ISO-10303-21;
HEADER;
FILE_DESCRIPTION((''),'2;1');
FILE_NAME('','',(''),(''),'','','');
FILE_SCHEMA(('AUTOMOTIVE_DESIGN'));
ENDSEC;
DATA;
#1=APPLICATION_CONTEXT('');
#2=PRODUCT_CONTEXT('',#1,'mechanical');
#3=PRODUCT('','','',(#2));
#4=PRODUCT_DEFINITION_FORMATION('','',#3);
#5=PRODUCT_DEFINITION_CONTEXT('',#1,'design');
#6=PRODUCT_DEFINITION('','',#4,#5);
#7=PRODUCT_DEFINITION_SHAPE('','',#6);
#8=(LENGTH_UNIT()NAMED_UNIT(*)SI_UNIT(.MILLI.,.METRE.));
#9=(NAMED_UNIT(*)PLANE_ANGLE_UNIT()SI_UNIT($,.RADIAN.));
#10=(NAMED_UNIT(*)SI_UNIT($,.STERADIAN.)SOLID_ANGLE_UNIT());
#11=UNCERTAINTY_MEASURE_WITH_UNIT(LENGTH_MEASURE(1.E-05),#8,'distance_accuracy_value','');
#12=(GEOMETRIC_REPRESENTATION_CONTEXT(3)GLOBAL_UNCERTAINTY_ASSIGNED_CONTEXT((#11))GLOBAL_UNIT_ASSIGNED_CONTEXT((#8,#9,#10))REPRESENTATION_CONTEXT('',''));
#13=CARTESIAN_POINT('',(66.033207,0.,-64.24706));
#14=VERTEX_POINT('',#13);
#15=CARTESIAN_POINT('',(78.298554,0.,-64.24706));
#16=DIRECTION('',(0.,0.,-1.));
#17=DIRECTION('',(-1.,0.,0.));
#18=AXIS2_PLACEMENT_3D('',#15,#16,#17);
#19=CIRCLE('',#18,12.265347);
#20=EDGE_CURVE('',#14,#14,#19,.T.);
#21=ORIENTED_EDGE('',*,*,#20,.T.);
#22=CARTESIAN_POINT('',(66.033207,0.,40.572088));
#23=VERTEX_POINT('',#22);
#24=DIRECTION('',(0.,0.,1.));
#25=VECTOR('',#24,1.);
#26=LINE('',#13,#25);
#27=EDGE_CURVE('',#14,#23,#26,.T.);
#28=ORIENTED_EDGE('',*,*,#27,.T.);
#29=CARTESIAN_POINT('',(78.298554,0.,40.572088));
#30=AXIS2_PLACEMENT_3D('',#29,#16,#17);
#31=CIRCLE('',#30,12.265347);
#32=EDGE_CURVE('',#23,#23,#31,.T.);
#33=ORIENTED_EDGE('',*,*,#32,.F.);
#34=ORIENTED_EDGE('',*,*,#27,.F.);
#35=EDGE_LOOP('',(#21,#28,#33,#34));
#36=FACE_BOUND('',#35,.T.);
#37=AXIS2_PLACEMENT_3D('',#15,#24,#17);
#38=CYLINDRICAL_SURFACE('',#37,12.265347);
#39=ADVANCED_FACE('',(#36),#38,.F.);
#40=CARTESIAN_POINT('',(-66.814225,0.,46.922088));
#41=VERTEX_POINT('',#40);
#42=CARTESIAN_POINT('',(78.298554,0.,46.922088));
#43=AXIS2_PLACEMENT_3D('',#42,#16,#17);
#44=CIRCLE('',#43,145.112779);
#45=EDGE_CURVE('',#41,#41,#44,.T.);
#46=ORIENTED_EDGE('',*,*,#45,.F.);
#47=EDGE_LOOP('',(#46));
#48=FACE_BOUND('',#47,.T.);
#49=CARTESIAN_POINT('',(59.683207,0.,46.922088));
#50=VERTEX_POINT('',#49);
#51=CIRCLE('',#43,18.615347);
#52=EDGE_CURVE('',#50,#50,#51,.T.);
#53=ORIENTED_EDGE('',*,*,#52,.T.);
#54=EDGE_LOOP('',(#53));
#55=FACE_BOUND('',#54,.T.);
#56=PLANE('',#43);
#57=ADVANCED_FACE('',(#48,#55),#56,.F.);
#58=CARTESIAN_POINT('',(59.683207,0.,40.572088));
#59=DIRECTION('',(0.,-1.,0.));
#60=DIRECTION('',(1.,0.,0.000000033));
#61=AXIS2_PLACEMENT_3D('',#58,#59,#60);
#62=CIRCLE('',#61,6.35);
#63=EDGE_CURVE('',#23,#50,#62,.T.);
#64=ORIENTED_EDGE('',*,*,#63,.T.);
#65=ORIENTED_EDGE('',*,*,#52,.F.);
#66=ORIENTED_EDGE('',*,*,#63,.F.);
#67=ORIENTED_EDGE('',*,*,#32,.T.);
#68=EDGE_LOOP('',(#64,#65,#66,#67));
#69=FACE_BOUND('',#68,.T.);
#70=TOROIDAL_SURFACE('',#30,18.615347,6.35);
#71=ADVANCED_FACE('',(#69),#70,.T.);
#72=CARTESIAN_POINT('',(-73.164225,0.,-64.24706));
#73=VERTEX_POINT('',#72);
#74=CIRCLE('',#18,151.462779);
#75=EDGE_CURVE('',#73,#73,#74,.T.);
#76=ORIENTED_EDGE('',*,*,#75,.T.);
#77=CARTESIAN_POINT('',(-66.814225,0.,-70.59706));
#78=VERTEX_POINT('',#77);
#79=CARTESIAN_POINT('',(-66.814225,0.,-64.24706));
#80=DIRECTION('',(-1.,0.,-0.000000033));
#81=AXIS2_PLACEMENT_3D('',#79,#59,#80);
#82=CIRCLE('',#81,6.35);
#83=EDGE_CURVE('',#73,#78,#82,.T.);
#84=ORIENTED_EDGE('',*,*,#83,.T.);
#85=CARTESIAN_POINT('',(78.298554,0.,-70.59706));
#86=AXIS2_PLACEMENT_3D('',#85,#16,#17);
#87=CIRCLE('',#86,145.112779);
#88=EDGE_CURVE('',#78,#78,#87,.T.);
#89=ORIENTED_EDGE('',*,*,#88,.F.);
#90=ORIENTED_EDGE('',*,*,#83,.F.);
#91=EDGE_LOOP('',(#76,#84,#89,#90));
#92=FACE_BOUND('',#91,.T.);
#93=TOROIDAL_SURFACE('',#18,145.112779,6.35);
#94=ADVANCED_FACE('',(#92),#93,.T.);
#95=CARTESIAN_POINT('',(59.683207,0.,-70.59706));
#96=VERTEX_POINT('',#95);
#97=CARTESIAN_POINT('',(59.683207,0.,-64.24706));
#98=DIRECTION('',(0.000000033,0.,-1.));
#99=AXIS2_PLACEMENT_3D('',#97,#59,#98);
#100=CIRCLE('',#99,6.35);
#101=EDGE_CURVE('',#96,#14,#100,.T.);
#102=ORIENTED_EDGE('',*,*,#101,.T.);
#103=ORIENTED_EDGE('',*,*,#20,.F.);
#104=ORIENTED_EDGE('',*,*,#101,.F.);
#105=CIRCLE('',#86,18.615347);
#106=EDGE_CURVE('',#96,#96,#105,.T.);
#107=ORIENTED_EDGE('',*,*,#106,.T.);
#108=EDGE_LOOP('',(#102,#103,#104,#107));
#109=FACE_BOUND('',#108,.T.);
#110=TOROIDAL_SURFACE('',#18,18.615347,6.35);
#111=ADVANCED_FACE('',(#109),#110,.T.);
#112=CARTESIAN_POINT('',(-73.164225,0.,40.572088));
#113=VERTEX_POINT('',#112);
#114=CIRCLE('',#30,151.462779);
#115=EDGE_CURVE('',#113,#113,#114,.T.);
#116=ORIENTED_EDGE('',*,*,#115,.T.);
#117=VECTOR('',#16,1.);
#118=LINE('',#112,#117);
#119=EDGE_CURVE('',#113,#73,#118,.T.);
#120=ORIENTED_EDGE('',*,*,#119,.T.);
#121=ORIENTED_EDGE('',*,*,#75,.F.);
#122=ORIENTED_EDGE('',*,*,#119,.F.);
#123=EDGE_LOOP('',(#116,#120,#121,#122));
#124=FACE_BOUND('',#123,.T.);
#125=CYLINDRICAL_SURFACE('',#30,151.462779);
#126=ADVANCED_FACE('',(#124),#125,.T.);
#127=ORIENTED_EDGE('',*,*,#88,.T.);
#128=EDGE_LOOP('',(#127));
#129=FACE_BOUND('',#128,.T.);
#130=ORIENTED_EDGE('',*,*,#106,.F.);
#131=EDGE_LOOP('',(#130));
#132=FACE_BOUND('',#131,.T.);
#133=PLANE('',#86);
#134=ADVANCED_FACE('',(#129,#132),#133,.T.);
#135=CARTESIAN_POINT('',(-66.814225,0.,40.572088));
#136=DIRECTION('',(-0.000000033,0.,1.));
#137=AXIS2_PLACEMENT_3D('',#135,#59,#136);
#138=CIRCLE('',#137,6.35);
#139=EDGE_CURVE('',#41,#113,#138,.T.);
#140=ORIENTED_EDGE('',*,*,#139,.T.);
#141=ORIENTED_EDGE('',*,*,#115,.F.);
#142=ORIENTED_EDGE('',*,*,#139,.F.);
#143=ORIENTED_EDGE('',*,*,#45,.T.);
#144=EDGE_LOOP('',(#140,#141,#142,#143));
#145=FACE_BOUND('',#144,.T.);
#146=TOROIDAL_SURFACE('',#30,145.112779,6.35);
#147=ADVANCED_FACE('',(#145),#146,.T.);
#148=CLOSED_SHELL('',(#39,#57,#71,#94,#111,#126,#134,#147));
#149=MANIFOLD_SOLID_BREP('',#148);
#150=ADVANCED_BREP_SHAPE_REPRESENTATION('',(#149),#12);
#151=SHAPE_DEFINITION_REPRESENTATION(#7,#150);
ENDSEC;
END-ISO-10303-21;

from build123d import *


with BuildPart() as f1:
    # F0 (on Front) → F1 (revolve)
    with BuildSketch(Plane.XZ):
        with BuildLine():
            Line((59.683207, 46.922088), (-66.814225, 46.922088))
            ThreePointArc((-66.814225, 46.922088), (-71.304353, 45.062216), (-73.164225, 40.572088))
            Line((-73.164225, 40.572088), (-73.164225, -64.24706))
            ThreePointArc((-73.164225, -64.24706), (-71.304353, -68.737188), (-66.814225, -70.59706))
            Line((-66.814225, -70.59706), (59.683207, -70.59706))
            ThreePointArc((59.683207, -70.59706), (64.173335, -68.737188), (66.033207, -64.24706))
            Line((66.033207, -64.24706), (66.033207, 40.572088))
            ThreePointArc((66.033207, 40.572088), (64.173335, 45.062216), (59.683207, 46.922088))
        make_face()
    revolve(axis=Axis((78.298554, 0, -9.555561), (0, 0, -1)))


solid = f1.part
